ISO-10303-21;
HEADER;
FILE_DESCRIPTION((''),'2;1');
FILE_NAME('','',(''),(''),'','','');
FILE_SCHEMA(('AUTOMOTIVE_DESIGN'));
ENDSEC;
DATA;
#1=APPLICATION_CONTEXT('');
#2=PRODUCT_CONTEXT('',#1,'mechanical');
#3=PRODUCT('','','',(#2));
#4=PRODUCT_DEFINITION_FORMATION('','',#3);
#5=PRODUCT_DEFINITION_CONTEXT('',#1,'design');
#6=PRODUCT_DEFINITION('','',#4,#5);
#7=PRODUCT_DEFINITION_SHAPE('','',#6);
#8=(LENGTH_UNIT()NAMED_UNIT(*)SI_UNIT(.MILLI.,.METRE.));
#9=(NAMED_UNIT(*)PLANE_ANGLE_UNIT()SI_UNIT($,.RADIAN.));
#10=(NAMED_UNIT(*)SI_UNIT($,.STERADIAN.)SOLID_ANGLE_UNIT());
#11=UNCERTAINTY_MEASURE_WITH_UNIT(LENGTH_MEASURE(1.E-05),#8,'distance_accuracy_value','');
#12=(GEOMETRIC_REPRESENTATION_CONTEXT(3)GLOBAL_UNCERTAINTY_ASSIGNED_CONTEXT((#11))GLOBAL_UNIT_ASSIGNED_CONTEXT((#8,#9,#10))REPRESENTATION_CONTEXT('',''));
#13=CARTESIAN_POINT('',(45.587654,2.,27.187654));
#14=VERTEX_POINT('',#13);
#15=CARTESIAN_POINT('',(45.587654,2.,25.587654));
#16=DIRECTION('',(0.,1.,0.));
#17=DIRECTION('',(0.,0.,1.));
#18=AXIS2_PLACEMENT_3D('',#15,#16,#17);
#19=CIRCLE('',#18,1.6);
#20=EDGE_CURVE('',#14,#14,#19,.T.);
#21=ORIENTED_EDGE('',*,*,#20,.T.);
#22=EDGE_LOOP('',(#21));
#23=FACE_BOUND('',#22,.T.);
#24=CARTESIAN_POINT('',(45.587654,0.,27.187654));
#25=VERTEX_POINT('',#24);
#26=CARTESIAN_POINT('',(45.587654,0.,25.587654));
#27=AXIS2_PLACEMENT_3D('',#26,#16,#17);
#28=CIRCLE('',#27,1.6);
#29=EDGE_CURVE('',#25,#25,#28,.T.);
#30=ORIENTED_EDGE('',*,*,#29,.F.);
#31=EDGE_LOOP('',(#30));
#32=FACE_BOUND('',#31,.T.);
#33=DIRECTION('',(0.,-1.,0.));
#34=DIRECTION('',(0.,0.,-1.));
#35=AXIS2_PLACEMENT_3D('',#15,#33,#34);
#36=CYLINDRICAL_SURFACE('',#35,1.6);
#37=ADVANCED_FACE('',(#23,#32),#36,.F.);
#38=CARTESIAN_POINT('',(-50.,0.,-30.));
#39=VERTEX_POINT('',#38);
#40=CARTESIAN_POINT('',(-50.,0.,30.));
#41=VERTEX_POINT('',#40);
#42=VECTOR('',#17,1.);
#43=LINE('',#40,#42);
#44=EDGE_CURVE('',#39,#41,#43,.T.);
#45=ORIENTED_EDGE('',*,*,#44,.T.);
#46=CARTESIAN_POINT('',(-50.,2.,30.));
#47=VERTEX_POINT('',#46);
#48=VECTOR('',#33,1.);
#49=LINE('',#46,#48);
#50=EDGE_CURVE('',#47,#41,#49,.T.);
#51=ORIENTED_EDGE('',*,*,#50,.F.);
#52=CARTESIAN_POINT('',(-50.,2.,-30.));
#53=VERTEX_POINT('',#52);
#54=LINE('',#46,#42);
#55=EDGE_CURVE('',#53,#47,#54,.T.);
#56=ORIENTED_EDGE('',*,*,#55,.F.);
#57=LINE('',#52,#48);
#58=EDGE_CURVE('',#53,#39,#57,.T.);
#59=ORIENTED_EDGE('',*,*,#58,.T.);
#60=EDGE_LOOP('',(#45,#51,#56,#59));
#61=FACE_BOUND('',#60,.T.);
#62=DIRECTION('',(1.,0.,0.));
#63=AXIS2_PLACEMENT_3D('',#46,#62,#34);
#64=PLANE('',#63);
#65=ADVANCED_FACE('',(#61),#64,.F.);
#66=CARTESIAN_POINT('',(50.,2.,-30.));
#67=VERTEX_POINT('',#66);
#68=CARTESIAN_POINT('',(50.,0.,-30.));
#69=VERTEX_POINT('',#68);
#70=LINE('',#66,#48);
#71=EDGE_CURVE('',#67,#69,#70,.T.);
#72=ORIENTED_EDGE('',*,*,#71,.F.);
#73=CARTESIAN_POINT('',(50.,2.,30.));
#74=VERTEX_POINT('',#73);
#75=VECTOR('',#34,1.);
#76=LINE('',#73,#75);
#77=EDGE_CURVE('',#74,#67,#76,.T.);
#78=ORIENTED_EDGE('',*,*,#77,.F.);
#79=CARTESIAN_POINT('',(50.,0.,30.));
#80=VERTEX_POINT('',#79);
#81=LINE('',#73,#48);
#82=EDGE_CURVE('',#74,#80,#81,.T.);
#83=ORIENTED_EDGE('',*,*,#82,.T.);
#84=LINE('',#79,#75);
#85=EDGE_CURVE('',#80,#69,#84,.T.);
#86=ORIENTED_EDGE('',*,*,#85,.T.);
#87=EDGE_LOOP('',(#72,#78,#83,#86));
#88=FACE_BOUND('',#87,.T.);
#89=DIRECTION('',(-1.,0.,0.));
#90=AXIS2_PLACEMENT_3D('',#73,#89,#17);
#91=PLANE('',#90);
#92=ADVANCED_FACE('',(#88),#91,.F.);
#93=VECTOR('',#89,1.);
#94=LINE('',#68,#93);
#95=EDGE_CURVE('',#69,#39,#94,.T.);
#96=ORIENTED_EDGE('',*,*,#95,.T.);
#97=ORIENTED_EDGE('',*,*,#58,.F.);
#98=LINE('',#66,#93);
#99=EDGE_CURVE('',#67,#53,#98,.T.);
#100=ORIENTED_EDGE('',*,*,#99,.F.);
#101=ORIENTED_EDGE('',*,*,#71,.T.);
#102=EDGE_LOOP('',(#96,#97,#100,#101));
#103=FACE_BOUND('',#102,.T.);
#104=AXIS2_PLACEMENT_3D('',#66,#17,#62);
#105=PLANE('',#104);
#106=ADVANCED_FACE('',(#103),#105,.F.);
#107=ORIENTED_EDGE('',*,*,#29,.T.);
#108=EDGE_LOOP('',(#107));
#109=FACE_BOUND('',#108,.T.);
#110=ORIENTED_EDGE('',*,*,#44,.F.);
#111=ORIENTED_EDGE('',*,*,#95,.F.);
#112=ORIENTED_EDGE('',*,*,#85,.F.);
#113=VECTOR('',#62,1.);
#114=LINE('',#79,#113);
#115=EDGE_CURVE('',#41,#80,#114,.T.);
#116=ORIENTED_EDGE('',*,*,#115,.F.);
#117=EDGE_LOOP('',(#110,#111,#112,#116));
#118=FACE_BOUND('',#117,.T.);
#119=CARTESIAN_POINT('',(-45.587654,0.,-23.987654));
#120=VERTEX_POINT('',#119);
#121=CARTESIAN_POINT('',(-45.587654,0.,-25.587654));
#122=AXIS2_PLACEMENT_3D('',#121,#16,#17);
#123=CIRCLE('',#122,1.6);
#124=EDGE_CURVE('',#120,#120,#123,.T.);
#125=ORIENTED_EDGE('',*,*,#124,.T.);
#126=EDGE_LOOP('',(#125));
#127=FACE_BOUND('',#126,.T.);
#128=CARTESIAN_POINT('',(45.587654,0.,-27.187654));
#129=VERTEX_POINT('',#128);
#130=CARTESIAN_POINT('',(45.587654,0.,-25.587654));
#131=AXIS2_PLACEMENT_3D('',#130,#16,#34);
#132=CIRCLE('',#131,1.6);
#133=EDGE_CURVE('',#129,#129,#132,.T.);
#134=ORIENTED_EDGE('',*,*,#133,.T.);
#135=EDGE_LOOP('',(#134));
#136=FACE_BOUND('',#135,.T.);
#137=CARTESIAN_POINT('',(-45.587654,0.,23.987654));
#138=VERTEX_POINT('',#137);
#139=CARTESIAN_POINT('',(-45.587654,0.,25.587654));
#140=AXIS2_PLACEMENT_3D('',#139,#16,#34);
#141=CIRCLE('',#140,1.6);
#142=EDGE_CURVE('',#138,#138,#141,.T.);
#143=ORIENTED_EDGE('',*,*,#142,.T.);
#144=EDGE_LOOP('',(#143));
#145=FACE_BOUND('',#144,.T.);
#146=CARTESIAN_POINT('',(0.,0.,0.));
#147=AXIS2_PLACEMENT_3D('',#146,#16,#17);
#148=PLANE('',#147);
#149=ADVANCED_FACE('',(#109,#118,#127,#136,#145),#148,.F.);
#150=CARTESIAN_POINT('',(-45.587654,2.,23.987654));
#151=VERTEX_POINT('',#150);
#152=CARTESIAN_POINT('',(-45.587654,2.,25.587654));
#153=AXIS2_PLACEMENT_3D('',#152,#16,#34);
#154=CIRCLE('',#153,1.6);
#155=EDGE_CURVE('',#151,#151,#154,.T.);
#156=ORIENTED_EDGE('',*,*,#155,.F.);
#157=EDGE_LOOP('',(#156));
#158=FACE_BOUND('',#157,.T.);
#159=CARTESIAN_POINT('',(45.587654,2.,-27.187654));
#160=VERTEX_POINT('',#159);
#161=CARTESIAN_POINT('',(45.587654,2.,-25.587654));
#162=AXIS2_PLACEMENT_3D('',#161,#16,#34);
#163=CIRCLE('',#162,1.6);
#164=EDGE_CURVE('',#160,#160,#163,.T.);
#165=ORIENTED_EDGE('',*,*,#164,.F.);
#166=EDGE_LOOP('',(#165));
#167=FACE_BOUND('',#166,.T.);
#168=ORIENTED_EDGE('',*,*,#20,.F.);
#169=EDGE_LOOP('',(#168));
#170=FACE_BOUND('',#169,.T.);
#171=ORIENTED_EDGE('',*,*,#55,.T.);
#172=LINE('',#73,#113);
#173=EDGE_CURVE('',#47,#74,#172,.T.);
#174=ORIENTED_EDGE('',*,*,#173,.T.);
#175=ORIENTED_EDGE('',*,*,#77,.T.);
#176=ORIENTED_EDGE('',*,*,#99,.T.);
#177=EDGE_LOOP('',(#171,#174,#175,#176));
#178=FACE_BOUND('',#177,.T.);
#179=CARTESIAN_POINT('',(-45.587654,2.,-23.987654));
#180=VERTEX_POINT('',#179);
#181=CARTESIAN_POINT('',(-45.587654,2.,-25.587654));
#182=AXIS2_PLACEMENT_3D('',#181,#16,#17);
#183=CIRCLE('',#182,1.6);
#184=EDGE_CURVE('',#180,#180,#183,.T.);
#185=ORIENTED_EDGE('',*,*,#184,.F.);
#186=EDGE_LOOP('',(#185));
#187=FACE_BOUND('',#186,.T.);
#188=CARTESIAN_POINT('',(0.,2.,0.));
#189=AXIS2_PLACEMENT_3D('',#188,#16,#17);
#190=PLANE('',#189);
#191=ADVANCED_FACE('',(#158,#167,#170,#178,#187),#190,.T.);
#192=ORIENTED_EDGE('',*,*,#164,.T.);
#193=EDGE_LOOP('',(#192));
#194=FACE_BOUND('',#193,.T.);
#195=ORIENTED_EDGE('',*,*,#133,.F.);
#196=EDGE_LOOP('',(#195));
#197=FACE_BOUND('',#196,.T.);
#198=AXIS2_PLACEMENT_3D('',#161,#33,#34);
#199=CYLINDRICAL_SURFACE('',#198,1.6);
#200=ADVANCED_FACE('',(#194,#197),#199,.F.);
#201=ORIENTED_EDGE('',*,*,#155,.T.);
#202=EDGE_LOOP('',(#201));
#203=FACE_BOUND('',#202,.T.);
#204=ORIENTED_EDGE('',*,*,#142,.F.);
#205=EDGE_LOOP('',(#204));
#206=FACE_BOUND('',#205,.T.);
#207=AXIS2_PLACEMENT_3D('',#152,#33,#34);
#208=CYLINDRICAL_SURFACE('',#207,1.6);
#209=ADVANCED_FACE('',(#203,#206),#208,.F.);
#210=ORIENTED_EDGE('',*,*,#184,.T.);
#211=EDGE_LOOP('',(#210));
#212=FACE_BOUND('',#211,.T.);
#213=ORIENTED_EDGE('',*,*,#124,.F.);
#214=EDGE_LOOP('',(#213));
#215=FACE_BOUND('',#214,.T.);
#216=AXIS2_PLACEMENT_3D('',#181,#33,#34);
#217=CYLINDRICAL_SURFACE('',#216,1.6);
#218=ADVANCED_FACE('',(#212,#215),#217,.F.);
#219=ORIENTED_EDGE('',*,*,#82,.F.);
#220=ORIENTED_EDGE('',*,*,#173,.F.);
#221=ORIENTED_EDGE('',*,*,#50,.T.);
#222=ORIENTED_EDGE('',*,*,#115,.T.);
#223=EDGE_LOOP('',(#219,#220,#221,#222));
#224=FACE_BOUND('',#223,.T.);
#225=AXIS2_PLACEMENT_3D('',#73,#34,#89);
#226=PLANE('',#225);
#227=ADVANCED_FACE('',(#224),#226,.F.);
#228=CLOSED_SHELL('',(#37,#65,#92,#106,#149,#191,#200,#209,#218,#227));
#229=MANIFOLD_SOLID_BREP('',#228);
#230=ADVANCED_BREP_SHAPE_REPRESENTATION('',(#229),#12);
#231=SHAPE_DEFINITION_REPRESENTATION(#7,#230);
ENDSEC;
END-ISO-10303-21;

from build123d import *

# Parameters (mm, degrees)
SKETCH_1_W      = 100
SKETCH_1_H      = 60
SKETCH_1_R      = 1.6
EXTRUDE_1_DEPTH = 2


with BuildPart() as part:
    # Эскиз1 → Бобышка-Вытянуть1 (new body)
    with BuildSketch(Plane(origin=(0, 0, 0), x_dir=(1, 0, 0), z_dir=(0, 1, 0))):
        Rectangle(SKETCH_1_W, SKETCH_1_H)
        with Locations((-45.587653685, 25.587653685)):
            Circle(SKETCH_1_R, mode=Mode.SUBTRACT)
        with Locations((45.587653685, 25.587653685)):
            Circle(SKETCH_1_R, mode=Mode.SUBTRACT)
        with Locations((45.587653685, -25.587653685)):
            Circle(SKETCH_1_R, mode=Mode.SUBTRACT)
        with Locations((-45.587653685, -25.587653685)):
            Circle(SKETCH_1_R, mode=Mode.SUBTRACT)
    extrude(amount=EXTRUDE_1_DEPTH)


solid = part.part
